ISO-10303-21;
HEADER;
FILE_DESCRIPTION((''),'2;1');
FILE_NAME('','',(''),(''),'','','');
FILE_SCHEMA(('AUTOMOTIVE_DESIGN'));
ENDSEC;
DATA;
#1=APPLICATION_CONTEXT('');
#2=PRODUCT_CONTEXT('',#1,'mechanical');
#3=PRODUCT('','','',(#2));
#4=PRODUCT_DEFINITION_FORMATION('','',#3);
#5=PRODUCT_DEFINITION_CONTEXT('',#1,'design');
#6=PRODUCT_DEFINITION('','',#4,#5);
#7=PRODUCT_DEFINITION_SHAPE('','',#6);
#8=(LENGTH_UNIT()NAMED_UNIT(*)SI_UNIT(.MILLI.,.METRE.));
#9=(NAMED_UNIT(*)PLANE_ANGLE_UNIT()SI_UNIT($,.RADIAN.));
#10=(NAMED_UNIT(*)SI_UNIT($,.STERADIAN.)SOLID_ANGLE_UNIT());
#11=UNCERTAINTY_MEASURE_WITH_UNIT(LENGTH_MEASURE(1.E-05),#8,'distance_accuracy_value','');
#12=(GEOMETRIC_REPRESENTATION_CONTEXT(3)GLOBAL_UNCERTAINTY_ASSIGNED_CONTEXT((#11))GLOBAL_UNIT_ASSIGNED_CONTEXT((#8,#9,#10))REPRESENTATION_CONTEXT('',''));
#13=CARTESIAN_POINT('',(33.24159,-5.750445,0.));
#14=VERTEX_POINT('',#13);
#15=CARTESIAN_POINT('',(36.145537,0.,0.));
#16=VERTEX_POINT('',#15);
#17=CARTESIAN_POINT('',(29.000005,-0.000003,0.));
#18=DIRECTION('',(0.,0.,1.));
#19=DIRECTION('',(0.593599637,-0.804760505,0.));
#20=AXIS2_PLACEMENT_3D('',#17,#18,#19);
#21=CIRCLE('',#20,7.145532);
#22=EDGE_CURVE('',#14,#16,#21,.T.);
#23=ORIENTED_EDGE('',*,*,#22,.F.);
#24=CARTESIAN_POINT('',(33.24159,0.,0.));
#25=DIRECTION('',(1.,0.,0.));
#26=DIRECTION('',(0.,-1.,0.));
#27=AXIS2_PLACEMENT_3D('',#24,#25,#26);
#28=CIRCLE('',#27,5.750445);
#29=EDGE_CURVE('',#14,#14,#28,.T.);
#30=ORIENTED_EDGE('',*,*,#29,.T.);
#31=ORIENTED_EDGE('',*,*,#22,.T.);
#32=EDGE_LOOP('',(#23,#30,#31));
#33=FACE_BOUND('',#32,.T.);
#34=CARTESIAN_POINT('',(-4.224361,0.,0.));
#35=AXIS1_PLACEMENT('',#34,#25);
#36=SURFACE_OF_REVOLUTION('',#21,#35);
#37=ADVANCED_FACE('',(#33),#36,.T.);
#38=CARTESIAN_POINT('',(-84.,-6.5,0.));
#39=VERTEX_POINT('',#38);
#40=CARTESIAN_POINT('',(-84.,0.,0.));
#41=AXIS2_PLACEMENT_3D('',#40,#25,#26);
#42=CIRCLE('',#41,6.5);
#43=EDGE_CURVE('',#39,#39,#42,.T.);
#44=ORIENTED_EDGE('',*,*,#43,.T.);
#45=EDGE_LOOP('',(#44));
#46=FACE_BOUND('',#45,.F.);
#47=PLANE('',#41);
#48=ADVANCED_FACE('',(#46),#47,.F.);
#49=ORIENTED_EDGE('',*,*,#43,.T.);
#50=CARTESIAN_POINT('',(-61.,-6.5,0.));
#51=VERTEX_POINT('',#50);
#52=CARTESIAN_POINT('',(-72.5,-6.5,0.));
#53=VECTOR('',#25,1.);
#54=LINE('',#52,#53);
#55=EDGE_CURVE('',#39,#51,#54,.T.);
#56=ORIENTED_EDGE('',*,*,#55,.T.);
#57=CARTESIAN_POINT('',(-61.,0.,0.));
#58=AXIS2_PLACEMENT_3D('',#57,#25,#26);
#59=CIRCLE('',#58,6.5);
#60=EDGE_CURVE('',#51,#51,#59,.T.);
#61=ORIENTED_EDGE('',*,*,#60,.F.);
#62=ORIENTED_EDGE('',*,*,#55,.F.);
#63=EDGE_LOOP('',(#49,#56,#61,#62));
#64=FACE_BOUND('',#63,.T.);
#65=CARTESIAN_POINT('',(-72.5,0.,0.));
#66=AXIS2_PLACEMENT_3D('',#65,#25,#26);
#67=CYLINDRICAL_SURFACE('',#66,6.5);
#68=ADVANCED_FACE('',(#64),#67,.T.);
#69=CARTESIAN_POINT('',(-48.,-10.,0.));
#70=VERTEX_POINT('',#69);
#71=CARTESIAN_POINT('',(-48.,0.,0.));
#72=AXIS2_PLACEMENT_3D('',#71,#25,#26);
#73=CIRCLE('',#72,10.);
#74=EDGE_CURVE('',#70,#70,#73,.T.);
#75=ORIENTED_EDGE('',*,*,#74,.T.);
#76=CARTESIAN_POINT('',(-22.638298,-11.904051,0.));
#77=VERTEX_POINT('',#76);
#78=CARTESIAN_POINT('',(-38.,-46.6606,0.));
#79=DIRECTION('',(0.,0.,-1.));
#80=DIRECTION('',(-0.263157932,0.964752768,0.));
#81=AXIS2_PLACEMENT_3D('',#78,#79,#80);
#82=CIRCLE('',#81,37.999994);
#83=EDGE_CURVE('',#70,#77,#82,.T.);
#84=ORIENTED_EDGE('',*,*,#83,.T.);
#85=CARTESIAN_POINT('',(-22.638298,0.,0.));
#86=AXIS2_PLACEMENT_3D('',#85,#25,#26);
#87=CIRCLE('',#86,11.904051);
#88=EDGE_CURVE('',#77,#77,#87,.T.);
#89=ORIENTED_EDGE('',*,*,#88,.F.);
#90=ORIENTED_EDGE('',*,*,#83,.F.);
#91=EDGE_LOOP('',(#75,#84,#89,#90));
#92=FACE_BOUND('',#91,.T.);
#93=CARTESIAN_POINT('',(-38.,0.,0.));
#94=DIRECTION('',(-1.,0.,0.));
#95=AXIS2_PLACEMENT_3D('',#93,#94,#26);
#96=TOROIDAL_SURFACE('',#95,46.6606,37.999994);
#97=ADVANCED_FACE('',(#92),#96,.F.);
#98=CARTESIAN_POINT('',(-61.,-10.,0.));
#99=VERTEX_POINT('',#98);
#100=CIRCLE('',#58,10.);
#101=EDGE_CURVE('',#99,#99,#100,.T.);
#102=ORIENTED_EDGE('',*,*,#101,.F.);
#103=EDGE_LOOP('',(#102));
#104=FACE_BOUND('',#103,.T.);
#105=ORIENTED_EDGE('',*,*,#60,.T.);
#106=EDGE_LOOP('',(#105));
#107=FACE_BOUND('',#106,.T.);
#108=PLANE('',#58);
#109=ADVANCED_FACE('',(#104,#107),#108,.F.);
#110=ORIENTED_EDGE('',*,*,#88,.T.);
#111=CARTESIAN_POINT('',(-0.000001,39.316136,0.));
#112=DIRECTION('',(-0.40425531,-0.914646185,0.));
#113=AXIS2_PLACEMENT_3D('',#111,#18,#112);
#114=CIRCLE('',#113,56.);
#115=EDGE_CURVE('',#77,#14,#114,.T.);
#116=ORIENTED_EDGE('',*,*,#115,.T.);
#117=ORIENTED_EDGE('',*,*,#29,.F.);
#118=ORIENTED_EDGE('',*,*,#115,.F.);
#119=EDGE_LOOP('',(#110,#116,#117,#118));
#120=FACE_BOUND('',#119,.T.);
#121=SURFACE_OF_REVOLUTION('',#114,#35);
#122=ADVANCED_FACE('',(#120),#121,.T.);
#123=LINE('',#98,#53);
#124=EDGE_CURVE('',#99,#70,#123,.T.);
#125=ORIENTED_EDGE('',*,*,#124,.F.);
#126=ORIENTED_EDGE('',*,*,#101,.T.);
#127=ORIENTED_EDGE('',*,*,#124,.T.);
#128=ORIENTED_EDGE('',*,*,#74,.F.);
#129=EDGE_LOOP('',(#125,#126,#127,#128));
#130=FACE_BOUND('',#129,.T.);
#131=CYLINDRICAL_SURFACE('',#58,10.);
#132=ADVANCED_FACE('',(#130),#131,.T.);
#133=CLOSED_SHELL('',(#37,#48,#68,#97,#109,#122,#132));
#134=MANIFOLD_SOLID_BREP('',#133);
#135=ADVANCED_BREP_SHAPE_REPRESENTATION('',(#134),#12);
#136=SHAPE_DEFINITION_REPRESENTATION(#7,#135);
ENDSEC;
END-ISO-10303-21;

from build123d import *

# Parameters (mm, degrees)
F0_W = 23
F0_H = 6.5


with BuildPart() as f1:
    # F0 (on Top) → F1 (revolve)
    with BuildSketch(Plane.XY):
        with BuildLine():
            Line((-61, 0), (-61, -6.5))
            Line((-61, -6.5), (-61, -10))
            Line((-61, -10), (-48, -10))
            ThreePointArc((-48, -10), (-35.155125, -8.767246), (-22.638298, -11.904051))
            ThreePointArc((-22.638298, -11.904051), (6.129777, -16.34737), (33.24159, -5.750445))
            ThreePointArc((33.24159, -5.750445), (35.378368, -3.221045), (36.145537, 0))
            Line((36.145537, 0), (-61, 0))
        make_face()
    revolve(axis=Axis((-4.224361, 0, 0), (1, 0, 0)))

    # F0 (on Top) → F2 (revolve)
    with BuildSketch(Plane.XY):
        with Locations((-72.5, -3.25)):
            Rectangle(F0_W, F0_H)
    revolve(axis=Axis((-4.224361, 0, 0), (1, 0, 0)))


solid = f1.part
